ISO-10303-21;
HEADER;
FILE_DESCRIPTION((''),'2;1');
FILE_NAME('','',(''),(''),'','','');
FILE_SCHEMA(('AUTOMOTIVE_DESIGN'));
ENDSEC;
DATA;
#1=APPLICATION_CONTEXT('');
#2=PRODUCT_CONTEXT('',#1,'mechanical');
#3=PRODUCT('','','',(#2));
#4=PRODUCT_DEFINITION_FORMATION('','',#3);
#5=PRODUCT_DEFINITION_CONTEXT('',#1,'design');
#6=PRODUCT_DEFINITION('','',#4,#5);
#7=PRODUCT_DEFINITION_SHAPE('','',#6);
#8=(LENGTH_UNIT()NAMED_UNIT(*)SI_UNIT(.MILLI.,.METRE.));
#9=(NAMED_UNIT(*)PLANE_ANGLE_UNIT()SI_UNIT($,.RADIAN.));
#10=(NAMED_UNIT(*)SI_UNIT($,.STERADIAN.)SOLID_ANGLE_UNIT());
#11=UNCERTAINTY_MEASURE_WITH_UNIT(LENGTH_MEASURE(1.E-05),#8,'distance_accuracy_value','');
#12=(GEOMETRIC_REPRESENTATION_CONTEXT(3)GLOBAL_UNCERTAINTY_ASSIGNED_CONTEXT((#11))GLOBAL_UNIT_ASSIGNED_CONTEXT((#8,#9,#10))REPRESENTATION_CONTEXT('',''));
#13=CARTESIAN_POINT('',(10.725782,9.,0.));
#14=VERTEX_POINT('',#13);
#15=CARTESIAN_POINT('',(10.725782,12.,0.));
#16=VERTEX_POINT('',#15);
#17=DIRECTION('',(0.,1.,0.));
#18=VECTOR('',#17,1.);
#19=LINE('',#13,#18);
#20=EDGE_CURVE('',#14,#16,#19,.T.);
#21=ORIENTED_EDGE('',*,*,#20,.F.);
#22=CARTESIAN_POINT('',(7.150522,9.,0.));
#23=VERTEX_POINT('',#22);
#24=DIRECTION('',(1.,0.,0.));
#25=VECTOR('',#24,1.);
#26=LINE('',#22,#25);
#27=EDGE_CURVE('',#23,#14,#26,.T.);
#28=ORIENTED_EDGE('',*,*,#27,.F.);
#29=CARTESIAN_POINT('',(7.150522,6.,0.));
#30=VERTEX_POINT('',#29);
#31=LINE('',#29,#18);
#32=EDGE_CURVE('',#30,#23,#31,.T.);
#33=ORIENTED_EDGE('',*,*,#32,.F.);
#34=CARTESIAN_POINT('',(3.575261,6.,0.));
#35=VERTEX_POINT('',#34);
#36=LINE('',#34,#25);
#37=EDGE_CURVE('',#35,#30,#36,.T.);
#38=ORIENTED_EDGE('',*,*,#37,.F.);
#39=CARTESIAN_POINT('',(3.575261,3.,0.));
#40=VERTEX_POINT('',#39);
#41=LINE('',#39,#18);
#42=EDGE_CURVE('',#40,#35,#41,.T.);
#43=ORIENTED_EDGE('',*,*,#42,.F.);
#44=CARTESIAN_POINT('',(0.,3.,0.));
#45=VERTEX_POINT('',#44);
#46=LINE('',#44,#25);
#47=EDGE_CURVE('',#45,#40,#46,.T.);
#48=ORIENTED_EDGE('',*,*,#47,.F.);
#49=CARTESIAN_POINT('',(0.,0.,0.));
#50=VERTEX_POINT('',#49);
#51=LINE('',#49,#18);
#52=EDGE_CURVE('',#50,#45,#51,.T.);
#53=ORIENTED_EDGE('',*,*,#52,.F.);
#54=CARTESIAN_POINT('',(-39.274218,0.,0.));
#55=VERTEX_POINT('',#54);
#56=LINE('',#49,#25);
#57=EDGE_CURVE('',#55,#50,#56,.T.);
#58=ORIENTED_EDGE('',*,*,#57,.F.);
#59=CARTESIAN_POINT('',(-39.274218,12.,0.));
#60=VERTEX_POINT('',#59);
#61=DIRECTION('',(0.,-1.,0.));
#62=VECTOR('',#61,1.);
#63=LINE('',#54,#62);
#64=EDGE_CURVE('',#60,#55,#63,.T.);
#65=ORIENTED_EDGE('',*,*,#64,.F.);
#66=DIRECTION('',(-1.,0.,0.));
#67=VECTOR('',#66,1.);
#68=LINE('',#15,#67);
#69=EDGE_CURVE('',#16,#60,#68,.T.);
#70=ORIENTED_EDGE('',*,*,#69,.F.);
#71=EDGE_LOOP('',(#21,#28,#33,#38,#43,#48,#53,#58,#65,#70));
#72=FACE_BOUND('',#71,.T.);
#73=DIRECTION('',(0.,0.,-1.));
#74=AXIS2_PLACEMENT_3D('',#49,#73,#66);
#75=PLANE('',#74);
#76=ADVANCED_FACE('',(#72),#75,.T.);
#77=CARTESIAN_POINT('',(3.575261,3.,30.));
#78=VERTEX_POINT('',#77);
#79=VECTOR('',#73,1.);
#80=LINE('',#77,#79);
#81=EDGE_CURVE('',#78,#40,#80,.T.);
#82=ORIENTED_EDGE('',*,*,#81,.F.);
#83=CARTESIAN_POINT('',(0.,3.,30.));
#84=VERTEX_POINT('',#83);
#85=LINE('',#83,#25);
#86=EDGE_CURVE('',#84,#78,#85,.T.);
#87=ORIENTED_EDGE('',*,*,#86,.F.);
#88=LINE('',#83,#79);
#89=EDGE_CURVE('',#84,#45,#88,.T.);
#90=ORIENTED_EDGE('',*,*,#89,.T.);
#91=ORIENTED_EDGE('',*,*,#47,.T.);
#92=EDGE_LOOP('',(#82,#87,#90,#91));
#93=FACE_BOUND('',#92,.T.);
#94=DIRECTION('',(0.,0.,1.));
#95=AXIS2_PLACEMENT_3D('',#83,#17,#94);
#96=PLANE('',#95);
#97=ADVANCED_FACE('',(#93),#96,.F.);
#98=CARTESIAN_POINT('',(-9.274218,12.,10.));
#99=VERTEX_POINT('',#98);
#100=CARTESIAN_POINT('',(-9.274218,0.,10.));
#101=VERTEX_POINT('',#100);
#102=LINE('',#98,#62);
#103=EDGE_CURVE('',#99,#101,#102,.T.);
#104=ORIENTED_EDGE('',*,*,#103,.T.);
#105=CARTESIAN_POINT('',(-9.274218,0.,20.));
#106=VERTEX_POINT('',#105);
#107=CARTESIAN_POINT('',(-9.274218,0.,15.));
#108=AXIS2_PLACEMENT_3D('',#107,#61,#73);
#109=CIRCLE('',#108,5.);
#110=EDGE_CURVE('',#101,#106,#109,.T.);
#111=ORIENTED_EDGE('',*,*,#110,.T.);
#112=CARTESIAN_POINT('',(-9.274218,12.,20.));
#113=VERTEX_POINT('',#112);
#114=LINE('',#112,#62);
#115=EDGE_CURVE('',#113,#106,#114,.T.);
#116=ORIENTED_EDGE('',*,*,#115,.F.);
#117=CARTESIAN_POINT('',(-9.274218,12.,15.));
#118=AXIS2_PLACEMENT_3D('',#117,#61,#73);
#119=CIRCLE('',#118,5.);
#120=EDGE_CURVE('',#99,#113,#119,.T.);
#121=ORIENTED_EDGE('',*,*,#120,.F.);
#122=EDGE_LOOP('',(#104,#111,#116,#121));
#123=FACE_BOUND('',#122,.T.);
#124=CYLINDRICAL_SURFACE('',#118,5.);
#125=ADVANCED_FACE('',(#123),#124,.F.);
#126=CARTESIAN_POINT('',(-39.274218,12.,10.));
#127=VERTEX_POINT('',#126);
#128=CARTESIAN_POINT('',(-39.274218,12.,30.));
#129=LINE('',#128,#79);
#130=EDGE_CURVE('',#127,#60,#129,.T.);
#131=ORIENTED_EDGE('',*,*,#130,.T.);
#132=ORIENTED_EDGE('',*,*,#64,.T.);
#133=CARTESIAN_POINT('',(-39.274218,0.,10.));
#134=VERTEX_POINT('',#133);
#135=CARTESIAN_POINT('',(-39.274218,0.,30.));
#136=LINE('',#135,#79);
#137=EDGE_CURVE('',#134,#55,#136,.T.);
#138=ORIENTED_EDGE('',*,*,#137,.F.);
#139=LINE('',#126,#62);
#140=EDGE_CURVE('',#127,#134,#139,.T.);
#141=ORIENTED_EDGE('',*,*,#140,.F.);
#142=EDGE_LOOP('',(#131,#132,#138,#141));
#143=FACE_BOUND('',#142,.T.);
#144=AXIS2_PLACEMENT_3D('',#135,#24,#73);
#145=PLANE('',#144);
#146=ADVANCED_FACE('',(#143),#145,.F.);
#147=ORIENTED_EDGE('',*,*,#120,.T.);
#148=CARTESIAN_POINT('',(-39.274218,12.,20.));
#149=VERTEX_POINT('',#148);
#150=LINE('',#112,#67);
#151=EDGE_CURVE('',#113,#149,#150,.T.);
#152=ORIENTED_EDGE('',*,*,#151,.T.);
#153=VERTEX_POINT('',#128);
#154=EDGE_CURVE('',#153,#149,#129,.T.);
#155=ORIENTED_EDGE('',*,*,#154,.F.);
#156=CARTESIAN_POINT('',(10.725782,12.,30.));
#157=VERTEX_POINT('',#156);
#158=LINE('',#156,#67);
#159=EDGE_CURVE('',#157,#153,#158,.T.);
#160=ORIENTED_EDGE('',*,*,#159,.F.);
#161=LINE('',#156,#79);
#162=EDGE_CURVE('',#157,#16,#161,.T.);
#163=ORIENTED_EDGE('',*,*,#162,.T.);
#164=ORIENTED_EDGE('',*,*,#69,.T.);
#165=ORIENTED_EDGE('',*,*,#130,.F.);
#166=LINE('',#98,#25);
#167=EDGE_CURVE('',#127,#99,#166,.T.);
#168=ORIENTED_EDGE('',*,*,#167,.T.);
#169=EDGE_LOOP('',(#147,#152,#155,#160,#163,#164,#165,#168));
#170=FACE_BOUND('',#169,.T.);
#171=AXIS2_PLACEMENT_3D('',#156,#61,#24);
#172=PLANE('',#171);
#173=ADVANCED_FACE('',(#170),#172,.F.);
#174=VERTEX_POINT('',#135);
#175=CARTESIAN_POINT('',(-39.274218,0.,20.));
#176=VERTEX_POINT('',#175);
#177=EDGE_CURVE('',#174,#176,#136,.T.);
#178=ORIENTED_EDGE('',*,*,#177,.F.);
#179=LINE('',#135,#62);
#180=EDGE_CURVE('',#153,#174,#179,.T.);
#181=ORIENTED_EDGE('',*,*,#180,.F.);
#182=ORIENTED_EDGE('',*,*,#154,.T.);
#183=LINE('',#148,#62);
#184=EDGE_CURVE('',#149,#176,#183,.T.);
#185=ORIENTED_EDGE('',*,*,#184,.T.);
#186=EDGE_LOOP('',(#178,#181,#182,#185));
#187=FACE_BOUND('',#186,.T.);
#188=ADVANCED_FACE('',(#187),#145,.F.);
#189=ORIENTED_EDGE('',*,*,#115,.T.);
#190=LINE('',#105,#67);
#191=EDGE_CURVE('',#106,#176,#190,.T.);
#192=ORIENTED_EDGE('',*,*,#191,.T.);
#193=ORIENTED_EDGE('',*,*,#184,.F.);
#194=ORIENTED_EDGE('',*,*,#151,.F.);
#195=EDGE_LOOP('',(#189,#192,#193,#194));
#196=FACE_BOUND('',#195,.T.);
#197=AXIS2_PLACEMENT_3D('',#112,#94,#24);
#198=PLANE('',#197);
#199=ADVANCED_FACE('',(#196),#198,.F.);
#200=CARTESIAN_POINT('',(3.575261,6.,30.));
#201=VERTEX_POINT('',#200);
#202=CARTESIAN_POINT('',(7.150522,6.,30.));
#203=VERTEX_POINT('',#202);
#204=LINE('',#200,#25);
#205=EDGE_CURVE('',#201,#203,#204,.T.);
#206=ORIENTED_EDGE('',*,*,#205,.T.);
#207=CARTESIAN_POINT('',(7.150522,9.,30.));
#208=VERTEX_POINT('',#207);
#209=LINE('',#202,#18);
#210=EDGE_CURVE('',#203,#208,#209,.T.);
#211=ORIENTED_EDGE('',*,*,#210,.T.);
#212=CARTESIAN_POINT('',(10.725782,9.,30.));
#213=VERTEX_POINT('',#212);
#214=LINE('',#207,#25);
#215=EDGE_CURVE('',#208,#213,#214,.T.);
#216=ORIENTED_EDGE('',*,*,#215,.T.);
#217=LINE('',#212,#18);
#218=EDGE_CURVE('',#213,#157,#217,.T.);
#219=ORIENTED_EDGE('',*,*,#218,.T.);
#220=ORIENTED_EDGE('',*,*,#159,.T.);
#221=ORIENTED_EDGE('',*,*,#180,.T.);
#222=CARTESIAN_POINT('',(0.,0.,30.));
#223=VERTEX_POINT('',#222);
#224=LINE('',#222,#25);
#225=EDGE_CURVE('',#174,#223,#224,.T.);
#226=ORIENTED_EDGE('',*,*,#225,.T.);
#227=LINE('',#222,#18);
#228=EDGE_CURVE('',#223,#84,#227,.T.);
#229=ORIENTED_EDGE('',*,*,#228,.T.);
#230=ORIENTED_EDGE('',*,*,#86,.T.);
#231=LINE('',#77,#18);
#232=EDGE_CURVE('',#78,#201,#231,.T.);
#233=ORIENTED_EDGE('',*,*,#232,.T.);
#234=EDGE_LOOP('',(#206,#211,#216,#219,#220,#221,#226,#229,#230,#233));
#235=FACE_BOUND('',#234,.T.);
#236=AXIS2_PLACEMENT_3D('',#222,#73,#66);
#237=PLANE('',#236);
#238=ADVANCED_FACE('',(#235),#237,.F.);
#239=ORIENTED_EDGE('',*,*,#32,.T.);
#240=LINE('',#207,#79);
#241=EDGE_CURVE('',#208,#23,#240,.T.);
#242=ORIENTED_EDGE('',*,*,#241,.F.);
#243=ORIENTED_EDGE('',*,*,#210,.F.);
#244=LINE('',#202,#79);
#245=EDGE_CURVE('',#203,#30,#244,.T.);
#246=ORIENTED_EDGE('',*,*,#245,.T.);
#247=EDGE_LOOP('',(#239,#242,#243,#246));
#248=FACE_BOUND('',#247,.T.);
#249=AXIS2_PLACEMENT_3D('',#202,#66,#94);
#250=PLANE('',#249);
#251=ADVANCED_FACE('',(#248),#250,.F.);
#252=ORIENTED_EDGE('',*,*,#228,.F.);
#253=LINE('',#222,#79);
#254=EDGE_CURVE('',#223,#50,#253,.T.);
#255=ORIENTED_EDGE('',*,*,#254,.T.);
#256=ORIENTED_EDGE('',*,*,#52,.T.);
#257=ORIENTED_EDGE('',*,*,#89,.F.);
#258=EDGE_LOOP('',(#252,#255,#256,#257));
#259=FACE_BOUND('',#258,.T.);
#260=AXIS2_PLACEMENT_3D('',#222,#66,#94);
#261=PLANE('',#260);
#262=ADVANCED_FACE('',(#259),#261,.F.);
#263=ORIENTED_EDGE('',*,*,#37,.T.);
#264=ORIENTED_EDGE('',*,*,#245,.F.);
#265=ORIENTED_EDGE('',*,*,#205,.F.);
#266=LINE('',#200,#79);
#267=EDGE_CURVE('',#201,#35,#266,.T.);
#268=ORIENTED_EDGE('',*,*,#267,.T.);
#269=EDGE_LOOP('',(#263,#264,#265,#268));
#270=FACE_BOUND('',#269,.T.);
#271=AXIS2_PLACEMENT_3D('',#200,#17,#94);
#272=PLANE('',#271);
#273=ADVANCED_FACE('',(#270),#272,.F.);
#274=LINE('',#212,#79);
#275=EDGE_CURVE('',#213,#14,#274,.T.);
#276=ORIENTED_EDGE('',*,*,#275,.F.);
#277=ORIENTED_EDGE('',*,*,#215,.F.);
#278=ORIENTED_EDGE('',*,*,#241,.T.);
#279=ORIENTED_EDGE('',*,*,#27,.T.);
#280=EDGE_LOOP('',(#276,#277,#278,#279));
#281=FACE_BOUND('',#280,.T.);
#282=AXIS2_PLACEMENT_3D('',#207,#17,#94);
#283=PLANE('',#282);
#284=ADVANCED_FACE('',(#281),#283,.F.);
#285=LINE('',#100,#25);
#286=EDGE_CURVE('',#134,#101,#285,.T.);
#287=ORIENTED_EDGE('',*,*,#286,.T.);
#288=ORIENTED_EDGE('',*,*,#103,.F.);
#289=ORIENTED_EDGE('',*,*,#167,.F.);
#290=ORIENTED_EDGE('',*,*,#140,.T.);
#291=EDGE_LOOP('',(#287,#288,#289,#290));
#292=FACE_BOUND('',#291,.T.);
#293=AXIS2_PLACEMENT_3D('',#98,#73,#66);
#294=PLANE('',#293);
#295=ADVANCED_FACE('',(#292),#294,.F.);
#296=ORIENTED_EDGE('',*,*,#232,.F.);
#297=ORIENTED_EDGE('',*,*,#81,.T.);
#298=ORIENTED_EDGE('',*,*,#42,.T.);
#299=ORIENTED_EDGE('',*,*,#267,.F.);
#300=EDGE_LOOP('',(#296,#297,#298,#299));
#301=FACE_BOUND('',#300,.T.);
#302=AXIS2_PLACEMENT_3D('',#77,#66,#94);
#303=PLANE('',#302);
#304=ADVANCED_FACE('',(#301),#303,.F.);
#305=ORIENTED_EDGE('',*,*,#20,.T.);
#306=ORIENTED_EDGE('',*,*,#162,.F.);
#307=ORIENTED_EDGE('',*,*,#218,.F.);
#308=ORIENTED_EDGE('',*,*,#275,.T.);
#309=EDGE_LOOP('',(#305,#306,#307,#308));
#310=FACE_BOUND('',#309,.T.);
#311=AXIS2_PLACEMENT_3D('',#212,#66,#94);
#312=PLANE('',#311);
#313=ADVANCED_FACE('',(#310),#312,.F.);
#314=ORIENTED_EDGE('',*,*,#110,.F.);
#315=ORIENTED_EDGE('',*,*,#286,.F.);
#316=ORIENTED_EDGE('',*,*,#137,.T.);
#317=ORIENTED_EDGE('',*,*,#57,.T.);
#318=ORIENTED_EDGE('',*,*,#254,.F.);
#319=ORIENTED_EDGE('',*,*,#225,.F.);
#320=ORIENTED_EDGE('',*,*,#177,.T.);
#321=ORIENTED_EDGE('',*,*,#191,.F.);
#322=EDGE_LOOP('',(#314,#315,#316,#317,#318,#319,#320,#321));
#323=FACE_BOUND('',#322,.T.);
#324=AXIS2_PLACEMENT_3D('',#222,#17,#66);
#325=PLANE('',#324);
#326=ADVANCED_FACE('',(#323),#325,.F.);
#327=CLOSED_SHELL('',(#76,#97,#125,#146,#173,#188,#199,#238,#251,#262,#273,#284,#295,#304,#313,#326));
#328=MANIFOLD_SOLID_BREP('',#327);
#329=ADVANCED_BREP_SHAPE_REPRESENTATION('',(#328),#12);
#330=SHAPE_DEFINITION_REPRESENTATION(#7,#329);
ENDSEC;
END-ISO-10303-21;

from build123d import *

# Parameters (mm, degrees)
BOSS_EXTRU_1_DEPTH      = 30
ENL_V_MAT_EXTRU_1_DEPTH = 13


with BuildPart() as part:
    # Esquisse2 → Boss.-Extru.1 (new body)
    with BuildSketch(Plane.XY):
        Polygon((0, 0), (-39.274217667, 0), (-39.274217667, 12), (10.725782333, 12), (10.725782333, 9), (7.150521556, 9), (7.150521556, 6), (3.575260778, 6), (3.575260778, 3), (0, 3), align=None)
    extrude(amount=BOSS_EXTRU_1_DEPTH)

    # Esquisse3 → Enlèv. mat.-Extru.1 (cut, through all)
    with BuildSketch(Plane.XZ):
        with BuildLine():
            Line((-9.274217667, 10), (-39.274217667, 10))
            Line((-39.274217667, 10), (-39.274217667, 20))
            Line((-39.274217667, 20), (-9.274217667, 20))
            ThreePointArc((-9.274217667, 20), (-4.274217667, 15), (-9.274217667, 10))
        make_face()
    extrude(amount=-ENL_V_MAT_EXTRU_1_DEPTH, mode=Mode.SUBTRACT)


solid = part.part
